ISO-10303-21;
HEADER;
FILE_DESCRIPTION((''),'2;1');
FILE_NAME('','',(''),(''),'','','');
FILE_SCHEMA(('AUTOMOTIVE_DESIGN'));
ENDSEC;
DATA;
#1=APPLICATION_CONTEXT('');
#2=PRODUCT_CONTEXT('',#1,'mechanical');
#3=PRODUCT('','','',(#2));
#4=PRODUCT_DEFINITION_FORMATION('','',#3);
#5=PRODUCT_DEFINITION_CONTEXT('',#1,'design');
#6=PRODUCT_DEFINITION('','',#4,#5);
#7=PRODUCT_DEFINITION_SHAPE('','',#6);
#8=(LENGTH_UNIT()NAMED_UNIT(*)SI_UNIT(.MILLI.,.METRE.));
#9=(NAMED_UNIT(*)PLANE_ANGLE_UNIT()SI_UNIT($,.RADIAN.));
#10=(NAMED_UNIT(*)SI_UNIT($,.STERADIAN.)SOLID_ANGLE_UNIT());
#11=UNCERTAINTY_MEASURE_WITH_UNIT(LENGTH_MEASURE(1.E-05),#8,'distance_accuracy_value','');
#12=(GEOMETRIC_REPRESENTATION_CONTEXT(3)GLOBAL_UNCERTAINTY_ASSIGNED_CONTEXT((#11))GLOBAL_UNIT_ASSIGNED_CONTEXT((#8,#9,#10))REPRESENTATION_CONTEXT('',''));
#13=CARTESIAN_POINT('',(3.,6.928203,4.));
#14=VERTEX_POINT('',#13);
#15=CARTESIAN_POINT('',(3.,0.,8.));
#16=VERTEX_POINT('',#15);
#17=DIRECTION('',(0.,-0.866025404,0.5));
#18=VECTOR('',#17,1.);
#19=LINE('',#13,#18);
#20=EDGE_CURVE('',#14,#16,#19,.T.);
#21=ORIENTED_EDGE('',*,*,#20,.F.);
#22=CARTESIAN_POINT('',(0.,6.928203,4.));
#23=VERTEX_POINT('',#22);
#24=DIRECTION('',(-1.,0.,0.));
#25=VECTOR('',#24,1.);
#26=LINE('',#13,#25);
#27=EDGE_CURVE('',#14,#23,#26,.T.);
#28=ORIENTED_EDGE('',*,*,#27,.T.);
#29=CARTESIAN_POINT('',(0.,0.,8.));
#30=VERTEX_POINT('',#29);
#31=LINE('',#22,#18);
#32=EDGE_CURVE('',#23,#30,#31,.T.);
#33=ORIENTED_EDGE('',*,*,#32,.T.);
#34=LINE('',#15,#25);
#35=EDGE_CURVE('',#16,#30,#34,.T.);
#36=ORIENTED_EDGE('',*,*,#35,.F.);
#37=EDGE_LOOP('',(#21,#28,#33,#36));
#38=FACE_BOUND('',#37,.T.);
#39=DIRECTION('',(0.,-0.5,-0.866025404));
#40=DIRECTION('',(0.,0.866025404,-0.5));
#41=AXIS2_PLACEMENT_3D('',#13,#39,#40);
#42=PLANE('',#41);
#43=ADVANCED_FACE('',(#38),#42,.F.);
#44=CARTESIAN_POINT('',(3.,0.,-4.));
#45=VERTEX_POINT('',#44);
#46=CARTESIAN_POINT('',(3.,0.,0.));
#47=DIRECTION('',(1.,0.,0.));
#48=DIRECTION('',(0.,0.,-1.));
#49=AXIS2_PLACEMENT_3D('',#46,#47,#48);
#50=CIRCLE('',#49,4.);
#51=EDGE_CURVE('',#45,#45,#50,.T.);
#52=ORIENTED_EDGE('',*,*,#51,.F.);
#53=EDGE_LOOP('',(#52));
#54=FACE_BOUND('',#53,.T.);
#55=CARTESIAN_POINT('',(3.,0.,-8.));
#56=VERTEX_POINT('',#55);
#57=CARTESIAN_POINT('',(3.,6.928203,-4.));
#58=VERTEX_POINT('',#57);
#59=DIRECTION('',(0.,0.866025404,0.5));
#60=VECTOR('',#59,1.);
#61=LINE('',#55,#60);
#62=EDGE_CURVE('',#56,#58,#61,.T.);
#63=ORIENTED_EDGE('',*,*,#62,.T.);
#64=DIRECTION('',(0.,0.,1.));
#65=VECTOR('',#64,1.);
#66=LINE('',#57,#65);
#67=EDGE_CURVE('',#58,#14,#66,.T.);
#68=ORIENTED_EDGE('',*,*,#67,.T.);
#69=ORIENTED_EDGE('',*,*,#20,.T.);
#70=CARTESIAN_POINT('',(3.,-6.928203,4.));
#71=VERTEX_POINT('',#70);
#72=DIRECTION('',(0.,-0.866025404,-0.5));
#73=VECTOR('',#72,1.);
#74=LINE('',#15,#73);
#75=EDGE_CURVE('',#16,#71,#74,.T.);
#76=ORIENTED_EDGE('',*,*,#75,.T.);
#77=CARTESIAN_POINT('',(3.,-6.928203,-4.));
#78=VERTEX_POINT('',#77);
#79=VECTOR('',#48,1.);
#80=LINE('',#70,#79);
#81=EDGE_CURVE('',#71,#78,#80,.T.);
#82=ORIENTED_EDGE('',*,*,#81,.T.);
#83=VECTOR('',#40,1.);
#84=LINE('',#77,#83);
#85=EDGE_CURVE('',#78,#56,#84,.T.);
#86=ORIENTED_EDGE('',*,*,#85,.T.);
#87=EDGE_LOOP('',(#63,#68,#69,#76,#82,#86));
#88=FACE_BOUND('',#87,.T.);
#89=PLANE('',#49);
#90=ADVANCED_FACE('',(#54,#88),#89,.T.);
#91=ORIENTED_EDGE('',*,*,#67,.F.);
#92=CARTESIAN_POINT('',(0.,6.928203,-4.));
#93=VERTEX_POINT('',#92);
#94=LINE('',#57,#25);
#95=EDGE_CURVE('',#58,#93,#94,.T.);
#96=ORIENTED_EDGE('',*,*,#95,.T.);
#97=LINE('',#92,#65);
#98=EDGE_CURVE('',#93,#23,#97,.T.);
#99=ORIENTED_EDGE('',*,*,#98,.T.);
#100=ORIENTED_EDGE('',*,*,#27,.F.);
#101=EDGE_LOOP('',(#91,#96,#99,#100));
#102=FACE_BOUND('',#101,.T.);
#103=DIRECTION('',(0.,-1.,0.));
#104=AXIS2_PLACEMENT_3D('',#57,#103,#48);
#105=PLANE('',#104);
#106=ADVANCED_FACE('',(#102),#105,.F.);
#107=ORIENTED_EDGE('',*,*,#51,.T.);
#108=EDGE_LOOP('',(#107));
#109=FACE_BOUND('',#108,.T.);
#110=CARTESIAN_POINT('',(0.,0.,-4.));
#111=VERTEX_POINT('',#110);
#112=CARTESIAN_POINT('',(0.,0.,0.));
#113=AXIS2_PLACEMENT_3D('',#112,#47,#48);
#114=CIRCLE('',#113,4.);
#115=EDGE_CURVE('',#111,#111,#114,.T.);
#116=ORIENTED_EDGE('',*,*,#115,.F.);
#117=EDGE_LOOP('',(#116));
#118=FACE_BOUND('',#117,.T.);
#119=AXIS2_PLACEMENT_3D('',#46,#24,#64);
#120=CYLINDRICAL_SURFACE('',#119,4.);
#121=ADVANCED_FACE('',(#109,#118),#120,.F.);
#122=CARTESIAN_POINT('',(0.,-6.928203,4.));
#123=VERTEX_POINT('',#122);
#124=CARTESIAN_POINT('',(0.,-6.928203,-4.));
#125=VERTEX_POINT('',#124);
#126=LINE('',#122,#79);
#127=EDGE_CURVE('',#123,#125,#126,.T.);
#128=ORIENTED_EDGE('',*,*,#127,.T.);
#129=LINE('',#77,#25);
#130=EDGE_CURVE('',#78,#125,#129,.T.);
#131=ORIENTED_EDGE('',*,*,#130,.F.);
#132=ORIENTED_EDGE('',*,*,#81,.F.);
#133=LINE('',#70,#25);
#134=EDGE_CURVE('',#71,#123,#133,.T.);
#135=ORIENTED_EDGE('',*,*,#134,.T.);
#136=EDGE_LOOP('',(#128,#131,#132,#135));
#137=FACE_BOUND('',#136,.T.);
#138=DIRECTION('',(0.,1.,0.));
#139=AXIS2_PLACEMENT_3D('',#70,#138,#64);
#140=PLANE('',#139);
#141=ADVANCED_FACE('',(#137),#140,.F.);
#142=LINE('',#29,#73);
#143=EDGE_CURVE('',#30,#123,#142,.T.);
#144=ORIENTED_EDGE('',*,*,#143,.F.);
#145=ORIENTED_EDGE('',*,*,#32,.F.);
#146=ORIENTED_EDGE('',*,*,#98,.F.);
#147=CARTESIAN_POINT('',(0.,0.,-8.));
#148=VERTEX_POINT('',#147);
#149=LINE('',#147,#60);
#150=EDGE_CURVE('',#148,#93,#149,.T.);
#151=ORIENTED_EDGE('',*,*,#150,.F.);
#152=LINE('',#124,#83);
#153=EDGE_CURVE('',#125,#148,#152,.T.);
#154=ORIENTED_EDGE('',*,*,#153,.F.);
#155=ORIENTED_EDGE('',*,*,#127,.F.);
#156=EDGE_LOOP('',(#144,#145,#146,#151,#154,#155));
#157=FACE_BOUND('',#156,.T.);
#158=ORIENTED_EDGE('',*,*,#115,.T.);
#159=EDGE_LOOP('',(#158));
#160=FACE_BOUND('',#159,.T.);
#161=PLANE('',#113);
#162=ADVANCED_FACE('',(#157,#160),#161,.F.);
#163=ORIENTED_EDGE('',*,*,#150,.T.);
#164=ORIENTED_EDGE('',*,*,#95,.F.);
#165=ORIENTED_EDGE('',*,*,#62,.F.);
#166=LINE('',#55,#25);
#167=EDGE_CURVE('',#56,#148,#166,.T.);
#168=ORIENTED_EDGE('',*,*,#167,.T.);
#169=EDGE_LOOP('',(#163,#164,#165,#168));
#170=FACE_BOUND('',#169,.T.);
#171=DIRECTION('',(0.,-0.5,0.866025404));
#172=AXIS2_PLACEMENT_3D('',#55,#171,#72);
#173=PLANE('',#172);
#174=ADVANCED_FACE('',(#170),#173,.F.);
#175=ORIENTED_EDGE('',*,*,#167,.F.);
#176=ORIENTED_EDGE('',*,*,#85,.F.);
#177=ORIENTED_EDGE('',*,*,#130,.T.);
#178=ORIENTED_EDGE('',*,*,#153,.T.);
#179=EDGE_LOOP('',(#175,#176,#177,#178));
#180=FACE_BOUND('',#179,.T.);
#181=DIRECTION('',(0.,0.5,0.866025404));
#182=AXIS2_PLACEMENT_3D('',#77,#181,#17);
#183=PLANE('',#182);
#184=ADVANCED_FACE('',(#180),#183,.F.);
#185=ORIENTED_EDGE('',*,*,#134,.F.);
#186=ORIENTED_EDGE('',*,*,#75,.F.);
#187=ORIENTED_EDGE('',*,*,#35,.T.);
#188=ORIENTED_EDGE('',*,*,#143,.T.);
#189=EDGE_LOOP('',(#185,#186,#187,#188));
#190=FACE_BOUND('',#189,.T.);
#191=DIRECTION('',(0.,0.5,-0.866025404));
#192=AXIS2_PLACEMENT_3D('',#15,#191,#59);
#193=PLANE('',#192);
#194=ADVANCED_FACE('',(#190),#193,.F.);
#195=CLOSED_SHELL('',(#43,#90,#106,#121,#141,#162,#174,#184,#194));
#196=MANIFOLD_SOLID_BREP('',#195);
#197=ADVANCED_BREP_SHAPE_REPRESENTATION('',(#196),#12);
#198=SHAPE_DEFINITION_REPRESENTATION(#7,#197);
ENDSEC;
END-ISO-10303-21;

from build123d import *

# Parameters (mm, degrees)
CROQUIS1_R              = 4
SALIENTE_EXTRUIR1_DEPTH = 3


with BuildPart() as part:
    # Croquis1 → Saliente-Extruir1 (new body)
    with BuildSketch(Plane(origin=(0, 0, 0), x_dir=(0, 0, -1), z_dir=(1, 0, 0))):
        Polygon((8, 0), (4, 6.92820323), (-4, 6.92820323), (-8, 0), (-4, -6.92820323), (4, -6.92820323), align=None)
        Circle(CROQUIS1_R, mode=Mode.SUBTRACT)
    extrude(amount=SALIENTE_EXTRUIR1_DEPTH)


solid = part.part
